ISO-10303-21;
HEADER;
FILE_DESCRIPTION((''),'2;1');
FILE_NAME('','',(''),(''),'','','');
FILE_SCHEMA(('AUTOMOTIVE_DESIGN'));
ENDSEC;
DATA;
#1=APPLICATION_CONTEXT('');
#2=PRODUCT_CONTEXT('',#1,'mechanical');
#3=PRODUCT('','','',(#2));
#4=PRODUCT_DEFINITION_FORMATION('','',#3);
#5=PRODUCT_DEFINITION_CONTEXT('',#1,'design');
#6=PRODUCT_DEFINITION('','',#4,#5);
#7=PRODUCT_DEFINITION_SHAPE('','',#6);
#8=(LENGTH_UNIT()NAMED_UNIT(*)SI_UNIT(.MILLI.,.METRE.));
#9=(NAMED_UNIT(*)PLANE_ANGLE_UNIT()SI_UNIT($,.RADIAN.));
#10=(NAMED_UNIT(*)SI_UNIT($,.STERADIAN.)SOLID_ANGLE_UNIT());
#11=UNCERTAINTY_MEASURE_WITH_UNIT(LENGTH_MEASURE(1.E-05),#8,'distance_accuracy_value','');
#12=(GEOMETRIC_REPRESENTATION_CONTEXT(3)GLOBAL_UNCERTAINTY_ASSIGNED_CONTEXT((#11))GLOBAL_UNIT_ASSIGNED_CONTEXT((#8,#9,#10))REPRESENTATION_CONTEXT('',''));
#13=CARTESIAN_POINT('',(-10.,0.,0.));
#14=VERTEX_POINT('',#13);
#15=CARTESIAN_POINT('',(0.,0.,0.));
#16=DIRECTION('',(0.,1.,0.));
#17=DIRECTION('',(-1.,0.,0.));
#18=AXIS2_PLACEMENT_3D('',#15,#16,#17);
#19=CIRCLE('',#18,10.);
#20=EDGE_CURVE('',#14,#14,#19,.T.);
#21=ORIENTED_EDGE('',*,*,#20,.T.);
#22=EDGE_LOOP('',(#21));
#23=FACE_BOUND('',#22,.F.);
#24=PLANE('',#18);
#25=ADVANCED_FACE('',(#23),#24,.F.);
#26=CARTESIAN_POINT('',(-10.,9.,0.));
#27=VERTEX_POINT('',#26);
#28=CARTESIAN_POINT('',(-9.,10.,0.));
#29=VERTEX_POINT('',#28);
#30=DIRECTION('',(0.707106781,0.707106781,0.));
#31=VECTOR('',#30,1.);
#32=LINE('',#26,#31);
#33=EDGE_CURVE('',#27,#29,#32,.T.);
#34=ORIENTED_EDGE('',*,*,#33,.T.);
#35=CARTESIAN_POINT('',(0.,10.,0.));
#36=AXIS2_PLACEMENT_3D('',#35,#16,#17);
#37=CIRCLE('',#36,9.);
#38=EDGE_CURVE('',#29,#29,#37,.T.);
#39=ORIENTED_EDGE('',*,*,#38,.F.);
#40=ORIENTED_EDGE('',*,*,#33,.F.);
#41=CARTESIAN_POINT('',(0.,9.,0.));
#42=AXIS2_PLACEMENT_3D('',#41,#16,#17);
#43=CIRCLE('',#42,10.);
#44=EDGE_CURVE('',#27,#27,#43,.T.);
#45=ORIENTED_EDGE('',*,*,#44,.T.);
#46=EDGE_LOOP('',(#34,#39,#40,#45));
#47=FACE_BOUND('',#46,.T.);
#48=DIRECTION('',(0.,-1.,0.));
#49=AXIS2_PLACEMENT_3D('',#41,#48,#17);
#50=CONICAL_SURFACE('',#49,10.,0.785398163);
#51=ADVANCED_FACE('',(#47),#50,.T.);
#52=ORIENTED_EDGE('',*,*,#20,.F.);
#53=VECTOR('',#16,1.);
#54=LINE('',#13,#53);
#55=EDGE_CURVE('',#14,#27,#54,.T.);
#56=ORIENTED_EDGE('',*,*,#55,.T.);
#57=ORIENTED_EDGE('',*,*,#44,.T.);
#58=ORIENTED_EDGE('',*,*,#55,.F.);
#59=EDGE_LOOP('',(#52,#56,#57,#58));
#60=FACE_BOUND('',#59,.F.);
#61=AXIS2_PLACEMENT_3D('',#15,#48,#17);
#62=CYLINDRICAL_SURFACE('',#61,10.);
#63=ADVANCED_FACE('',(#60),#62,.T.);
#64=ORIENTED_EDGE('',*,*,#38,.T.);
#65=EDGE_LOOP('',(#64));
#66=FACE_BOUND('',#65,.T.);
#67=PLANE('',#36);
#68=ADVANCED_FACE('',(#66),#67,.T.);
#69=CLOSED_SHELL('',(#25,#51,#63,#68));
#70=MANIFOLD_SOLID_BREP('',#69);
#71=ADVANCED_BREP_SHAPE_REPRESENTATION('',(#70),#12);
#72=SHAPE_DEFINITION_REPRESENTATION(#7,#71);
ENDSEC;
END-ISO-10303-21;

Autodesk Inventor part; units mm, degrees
ref_plane "YZ Plane" through (0, 0, 0) normal (1, 0, 0) x (0, 1, 0)
ref_plane "XZ Plane" through (0, 0, 0) normal (0, 1, 0) x (-1, 0, 0)
ref_plane "XY Plane" through (0, 0, 0) normal (0, 0, 1) x (1, 0, 0)
sketch "スケッチ1" plane through (0, 0, 0) normal (0, 1, 0) x (-1, 0, 0)
  circle A0 centre (0, 0) radius 10
  dimension "d0" = 20
extrude "押し出し1" add sketch "スケッチ1" along normal blind 10
chamfer "面取り1" distance 1 angle 45 1 edges at (10, 10, 0)
properties part number "LCD_Dial"
